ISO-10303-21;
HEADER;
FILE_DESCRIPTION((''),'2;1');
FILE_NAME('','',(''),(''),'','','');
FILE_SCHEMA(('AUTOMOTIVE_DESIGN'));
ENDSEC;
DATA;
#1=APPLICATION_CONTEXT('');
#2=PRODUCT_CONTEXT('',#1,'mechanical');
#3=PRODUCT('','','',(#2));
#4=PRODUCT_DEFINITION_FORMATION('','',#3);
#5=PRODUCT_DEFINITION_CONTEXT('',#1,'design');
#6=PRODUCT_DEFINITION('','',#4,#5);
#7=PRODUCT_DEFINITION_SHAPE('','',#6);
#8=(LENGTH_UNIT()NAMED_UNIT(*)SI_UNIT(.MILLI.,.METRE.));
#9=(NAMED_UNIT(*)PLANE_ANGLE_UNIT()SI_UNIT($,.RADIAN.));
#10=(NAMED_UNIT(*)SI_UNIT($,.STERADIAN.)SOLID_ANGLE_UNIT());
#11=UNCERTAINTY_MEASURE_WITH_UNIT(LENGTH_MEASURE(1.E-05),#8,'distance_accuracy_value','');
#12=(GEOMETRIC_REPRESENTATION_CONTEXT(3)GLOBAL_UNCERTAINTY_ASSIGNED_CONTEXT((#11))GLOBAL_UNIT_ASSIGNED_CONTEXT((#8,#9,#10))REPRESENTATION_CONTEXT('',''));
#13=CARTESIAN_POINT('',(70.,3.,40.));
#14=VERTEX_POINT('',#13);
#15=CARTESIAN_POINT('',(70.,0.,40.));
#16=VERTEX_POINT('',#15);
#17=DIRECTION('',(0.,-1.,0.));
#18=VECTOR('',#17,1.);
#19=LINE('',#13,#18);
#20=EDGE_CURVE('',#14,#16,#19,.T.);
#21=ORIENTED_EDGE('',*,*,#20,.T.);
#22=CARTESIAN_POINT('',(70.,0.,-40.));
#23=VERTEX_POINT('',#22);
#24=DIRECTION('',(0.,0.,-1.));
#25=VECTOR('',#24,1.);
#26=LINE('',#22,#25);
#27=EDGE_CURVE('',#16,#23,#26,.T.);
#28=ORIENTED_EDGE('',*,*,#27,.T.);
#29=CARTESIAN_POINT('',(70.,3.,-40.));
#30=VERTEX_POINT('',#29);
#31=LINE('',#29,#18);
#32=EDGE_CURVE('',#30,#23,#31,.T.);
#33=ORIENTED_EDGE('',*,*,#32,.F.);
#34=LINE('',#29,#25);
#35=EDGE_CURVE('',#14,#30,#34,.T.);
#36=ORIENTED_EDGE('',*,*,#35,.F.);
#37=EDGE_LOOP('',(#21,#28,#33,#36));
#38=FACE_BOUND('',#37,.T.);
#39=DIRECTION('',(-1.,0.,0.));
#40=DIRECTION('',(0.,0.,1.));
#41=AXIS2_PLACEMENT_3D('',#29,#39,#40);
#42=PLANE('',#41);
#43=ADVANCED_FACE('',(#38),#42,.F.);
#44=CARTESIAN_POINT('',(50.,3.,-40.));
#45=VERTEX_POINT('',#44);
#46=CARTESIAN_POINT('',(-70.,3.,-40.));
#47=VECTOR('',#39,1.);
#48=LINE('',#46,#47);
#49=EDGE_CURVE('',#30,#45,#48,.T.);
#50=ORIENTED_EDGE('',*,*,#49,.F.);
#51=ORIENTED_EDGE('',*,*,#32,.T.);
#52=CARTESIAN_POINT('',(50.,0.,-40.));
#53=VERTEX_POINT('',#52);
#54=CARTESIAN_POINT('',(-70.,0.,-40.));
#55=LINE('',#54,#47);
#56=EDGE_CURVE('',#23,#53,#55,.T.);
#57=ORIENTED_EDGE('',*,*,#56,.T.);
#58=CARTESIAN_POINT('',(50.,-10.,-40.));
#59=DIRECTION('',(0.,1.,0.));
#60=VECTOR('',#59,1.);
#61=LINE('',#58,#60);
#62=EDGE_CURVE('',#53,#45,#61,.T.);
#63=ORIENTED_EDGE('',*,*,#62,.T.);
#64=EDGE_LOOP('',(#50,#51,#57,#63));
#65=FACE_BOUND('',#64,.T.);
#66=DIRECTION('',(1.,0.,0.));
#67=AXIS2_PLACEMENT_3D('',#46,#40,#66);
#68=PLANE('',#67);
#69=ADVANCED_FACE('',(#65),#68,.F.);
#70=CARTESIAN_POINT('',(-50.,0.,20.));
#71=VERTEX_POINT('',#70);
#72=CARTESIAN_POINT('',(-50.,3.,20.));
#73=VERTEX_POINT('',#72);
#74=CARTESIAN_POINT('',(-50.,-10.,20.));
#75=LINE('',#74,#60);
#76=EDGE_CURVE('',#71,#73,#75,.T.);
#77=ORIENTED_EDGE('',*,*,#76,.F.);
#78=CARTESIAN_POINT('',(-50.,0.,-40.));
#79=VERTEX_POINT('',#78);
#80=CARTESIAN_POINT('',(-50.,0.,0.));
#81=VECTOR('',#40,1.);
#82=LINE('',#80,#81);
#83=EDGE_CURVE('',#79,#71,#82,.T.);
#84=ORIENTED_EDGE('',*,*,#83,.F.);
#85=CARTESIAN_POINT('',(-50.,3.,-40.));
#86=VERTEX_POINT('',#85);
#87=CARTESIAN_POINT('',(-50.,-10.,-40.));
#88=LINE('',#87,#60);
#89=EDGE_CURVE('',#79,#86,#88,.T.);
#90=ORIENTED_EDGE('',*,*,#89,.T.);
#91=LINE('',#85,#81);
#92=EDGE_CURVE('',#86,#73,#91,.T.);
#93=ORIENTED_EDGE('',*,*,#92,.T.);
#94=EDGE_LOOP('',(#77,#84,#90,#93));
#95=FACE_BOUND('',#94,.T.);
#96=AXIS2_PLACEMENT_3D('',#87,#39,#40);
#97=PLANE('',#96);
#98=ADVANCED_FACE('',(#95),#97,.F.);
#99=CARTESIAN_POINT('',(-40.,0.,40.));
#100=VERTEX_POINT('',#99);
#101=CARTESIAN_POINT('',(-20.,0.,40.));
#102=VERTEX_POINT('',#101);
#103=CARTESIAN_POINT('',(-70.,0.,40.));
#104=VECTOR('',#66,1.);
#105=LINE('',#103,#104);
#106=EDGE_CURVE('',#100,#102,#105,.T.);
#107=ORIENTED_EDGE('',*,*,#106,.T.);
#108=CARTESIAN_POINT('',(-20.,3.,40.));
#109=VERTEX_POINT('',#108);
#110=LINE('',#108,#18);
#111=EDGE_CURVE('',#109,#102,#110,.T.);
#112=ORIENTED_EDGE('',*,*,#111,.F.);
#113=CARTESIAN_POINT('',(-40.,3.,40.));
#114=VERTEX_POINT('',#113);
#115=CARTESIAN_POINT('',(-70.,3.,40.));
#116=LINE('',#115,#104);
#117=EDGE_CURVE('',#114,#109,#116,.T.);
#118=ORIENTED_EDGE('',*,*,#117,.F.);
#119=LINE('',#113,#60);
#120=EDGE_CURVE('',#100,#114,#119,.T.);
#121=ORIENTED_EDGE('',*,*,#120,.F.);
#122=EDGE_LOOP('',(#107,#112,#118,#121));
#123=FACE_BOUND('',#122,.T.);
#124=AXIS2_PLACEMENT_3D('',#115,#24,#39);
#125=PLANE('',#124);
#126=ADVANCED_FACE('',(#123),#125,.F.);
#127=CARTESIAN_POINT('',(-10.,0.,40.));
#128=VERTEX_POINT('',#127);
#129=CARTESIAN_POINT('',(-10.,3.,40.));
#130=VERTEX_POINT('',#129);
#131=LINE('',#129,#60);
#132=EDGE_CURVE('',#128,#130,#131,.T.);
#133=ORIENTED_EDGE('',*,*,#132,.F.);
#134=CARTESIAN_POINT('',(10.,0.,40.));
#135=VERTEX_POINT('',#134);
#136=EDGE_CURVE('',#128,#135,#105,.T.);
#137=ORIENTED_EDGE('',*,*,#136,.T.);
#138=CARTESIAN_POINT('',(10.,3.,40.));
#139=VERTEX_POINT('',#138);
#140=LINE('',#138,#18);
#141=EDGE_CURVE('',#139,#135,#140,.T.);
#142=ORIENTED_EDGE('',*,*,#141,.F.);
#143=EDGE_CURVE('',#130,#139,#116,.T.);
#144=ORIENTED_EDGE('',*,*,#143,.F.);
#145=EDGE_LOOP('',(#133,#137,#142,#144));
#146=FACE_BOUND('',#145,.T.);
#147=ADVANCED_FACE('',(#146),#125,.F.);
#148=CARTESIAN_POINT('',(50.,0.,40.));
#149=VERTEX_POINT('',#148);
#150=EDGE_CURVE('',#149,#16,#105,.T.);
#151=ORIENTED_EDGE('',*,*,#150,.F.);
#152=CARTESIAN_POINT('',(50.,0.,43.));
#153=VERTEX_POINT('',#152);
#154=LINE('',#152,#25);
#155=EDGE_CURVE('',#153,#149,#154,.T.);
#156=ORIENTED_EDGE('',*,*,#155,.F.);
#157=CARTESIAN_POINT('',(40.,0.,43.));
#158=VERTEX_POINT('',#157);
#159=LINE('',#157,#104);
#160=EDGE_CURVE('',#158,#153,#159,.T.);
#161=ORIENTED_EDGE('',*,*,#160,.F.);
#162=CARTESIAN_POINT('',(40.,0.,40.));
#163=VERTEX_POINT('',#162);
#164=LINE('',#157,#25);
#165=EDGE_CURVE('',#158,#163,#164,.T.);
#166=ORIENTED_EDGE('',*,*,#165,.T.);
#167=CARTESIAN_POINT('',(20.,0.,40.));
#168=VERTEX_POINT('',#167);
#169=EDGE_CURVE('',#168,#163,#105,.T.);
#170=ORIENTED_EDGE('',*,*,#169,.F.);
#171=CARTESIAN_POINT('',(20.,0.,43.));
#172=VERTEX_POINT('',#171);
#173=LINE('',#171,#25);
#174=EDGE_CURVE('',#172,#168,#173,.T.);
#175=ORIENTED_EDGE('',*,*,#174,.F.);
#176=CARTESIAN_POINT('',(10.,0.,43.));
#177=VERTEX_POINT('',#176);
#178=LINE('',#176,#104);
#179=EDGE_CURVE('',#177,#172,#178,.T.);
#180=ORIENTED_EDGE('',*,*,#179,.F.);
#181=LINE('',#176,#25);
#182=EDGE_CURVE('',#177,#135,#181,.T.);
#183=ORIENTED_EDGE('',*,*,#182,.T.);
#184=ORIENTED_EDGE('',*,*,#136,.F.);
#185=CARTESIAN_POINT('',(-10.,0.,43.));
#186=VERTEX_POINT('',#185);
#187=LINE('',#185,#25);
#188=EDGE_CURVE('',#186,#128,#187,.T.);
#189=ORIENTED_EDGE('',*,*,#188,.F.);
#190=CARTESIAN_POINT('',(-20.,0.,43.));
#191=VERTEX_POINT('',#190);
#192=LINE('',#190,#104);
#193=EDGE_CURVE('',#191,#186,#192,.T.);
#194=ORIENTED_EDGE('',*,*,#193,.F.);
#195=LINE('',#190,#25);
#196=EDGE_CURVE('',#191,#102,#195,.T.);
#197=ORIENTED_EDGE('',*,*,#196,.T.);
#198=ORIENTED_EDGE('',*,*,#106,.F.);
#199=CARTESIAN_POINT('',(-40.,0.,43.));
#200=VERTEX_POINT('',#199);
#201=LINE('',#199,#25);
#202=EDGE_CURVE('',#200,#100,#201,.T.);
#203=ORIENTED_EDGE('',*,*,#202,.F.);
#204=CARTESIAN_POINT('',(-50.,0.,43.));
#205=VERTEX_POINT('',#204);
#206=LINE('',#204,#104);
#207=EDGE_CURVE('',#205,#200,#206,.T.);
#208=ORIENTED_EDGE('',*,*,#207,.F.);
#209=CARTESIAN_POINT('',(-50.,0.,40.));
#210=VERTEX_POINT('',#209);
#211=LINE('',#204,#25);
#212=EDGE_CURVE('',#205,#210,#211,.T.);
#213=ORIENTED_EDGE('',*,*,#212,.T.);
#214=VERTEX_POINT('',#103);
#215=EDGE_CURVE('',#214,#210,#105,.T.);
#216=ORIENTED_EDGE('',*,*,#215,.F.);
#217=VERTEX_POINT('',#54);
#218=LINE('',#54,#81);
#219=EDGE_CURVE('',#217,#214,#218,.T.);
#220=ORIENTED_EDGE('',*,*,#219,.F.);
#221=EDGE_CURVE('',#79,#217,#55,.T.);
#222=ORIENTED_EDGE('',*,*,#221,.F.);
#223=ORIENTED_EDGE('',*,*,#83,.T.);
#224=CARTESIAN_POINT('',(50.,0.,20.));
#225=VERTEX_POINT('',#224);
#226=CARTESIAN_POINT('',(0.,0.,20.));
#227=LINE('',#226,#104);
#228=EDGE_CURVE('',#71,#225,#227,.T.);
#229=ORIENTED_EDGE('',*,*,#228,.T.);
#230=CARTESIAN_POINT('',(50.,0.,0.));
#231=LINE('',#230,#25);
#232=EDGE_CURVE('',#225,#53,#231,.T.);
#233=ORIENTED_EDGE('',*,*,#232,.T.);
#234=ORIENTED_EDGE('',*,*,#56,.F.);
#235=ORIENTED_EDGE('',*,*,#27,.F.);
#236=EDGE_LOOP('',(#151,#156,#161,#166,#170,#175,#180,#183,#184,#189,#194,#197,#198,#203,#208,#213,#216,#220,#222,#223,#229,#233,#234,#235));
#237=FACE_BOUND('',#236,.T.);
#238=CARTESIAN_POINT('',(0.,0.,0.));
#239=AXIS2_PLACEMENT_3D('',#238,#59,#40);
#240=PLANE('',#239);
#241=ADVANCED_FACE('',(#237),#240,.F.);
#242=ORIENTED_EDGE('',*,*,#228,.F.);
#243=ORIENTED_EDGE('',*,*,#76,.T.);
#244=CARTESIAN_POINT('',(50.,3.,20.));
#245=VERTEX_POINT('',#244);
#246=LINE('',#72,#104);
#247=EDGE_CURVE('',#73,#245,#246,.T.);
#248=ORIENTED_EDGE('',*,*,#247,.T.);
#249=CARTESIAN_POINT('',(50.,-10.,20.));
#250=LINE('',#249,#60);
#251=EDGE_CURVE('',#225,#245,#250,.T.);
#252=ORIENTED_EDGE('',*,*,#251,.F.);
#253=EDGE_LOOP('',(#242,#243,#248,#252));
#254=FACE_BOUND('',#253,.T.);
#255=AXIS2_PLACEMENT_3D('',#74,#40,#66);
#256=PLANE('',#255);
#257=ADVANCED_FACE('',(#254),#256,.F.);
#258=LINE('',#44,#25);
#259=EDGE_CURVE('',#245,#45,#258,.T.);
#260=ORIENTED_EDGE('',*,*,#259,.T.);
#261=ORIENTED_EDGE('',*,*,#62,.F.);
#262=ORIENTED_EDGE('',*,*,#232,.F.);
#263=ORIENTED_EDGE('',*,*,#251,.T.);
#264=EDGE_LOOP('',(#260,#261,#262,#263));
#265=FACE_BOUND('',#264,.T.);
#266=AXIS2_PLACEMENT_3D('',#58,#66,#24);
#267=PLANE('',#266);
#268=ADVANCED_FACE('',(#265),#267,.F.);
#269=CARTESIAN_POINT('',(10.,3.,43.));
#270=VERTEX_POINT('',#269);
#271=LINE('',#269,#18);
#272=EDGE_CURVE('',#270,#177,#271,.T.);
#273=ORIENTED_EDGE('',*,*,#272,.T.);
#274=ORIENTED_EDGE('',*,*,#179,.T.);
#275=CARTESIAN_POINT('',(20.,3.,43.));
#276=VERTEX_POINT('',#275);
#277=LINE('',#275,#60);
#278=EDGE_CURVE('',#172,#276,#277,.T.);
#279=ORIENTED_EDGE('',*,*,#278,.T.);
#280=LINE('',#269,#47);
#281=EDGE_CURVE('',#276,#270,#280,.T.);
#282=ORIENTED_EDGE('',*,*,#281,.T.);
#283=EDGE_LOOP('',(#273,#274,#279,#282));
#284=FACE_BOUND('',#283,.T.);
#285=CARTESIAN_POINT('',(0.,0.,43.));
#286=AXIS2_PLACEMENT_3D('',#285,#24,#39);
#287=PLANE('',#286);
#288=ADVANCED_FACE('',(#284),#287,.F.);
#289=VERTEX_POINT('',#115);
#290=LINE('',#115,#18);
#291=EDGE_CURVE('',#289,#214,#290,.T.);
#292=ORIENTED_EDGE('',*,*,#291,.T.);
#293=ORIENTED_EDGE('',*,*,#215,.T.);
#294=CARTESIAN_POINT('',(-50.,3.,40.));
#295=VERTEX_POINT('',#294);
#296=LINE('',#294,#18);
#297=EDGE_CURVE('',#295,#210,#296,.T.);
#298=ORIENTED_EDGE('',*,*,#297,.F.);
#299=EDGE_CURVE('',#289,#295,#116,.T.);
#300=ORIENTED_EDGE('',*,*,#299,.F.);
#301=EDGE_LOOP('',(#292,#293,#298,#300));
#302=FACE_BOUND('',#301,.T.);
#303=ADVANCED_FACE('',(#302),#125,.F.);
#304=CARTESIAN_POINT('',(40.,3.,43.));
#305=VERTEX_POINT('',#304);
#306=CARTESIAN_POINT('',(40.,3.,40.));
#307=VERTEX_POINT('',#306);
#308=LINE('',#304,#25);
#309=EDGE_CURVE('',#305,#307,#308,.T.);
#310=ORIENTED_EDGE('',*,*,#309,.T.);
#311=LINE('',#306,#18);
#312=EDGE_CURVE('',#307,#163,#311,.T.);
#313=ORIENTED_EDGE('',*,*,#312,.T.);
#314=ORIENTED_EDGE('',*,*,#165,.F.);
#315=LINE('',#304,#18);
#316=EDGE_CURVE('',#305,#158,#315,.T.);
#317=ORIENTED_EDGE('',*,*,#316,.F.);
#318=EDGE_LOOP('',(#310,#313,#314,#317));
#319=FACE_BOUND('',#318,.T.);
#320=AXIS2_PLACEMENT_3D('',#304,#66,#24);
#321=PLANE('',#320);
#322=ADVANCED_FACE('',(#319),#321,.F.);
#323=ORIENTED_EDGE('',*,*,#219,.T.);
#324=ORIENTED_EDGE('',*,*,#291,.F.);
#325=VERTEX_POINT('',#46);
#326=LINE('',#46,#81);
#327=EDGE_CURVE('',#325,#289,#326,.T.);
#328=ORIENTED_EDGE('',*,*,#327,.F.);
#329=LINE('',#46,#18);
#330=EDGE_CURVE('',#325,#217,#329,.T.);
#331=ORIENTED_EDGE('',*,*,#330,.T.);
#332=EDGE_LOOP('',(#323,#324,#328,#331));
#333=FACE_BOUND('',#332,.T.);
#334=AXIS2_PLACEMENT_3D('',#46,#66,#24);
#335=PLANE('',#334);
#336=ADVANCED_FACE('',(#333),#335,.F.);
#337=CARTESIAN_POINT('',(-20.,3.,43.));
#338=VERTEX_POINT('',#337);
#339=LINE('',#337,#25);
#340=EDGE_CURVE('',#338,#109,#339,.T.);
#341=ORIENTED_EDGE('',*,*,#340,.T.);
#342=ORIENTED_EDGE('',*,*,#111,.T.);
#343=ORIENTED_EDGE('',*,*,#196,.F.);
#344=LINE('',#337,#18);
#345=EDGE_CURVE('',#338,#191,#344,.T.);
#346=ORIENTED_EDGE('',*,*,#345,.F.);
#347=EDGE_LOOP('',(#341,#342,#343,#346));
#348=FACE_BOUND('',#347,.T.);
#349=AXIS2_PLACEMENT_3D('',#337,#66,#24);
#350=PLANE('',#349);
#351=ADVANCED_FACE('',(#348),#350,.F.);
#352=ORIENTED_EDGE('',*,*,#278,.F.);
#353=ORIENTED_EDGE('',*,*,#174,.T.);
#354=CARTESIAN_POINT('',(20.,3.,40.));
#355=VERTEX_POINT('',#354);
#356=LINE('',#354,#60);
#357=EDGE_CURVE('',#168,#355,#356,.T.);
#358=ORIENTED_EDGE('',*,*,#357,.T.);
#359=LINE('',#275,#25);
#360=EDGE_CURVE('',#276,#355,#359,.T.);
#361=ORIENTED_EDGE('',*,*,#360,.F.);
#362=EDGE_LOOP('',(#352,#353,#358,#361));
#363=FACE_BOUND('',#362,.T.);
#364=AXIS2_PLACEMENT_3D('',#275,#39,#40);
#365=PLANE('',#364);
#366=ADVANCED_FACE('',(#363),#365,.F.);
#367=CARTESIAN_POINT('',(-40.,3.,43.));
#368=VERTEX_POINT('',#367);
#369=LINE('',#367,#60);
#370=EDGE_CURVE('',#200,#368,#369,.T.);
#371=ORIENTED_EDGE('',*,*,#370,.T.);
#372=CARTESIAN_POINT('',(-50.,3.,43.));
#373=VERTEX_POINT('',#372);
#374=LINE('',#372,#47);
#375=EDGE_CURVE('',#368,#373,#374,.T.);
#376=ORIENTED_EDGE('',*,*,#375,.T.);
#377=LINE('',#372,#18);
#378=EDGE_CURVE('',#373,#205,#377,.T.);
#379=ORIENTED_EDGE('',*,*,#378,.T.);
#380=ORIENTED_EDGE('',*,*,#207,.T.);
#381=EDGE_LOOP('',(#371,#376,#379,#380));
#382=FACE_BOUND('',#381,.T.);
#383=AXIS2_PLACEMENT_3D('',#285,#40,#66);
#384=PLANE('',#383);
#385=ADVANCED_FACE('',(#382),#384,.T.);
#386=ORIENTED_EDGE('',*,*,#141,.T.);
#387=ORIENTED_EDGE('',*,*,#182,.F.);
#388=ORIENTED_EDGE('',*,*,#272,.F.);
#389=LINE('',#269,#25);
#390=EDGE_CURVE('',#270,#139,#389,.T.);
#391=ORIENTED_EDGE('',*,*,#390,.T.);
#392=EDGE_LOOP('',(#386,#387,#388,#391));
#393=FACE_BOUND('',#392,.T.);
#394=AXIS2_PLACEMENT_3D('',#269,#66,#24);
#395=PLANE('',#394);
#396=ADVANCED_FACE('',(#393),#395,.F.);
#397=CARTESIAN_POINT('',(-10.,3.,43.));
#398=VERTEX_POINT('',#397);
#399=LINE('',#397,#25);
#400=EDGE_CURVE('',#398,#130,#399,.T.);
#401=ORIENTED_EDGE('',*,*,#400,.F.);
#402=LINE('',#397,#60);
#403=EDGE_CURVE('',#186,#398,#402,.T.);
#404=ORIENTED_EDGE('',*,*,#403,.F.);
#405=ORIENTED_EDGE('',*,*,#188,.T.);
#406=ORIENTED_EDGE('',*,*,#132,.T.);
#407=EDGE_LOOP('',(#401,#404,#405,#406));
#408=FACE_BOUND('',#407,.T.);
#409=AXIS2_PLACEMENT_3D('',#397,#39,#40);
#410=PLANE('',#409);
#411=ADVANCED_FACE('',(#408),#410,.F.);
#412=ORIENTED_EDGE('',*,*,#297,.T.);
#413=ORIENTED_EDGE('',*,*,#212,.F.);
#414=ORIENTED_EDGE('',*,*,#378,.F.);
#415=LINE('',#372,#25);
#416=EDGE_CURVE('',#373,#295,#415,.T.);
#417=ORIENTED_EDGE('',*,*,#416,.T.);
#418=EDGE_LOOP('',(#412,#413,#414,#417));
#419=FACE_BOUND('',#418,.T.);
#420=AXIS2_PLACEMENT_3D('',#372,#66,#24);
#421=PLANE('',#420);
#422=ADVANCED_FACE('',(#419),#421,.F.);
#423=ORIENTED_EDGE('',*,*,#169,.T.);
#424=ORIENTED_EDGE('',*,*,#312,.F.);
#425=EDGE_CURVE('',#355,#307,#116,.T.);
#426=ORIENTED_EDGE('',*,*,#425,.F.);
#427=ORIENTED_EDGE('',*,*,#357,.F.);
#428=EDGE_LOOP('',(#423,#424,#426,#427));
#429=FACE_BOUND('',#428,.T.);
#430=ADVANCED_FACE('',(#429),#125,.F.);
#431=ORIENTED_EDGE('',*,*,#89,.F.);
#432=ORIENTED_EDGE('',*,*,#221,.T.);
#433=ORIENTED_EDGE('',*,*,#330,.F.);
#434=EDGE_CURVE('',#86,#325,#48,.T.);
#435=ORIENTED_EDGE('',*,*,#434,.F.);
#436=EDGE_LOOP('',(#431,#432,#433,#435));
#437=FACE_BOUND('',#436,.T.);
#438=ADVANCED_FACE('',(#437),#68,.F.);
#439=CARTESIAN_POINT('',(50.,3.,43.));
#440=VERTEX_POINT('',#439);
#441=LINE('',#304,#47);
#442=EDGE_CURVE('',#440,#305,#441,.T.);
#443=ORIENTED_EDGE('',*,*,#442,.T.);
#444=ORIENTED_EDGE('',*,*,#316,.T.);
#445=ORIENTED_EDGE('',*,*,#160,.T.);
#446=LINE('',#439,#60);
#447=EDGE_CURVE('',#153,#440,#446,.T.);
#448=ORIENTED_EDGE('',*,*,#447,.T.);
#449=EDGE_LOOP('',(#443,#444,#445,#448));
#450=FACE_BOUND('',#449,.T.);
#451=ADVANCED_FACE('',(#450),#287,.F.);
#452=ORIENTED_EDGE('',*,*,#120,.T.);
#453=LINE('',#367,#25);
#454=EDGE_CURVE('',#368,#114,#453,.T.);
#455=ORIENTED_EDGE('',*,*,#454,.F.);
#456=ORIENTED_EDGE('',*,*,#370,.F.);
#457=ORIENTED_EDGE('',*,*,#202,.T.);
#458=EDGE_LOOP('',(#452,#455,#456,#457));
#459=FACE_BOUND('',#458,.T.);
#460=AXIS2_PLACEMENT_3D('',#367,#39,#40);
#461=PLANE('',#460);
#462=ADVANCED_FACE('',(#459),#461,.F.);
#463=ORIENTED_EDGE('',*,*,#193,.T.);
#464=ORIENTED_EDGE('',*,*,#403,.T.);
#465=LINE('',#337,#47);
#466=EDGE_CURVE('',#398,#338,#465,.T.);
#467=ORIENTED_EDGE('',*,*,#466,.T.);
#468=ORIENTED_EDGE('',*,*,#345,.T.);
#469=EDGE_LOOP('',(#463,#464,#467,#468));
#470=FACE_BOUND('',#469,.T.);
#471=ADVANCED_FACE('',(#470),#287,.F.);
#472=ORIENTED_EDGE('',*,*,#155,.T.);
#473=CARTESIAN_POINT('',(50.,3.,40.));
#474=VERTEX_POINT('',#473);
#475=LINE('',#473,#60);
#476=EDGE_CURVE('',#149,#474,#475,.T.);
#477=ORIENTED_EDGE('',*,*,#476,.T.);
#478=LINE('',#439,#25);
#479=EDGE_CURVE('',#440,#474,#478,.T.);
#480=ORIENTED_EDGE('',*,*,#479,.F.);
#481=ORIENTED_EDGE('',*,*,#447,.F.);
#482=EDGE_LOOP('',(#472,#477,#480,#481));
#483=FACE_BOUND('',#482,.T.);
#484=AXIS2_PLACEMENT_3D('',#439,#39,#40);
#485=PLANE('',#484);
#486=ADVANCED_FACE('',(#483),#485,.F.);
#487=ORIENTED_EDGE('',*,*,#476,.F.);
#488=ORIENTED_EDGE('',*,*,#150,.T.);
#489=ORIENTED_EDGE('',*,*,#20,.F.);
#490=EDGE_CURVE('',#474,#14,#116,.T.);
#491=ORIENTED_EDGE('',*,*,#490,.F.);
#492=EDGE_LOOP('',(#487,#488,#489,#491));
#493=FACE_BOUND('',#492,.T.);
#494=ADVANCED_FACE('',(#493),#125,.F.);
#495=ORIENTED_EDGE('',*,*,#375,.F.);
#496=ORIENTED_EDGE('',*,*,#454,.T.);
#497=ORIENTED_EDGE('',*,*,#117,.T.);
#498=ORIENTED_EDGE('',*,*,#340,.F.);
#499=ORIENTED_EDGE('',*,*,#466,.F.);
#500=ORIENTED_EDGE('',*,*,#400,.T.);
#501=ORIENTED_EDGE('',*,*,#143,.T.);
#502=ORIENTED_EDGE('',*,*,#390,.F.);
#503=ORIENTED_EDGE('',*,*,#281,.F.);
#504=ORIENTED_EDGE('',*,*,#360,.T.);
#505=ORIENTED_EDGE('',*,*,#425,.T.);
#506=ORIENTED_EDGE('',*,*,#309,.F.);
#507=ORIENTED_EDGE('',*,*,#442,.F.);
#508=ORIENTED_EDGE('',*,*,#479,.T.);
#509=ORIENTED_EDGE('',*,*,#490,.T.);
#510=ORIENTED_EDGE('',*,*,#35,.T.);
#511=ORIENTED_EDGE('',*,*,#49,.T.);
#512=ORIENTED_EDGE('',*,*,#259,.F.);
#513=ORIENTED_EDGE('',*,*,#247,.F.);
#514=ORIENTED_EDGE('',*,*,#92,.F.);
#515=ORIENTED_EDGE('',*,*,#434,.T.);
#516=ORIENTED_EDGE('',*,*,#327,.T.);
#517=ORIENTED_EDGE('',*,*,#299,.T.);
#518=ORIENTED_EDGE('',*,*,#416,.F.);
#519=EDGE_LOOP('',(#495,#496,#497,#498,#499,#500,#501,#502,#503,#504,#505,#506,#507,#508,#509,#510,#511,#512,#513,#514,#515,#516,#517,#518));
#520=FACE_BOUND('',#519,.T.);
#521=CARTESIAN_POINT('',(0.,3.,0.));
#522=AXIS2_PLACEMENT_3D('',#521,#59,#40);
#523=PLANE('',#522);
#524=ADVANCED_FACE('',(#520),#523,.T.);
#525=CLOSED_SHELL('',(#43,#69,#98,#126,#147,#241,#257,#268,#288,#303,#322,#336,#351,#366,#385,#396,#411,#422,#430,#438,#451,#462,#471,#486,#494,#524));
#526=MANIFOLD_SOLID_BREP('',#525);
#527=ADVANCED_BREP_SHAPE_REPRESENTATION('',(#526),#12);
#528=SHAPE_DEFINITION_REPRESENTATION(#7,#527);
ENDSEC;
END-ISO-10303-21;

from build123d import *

# Parameters (mm, degrees)
SKETCH1_W           = 140
SKETCH1_H           = 80
BOSS_EXTRUDE1_DEPTH = 3
SKETCH2_W           = 100
SKETCH2_H           = 60
CUT_EXTRUDE1_DEPTH  = 13
SKETCH4_W           = 10
SKETCH4_H           = 3
BOSS_EXTRUDE2_DEPTH = 3


with BuildPart() as part:
    # Sketch1 → Boss-Extrude1 (new body)
    with BuildSketch(Plane(origin=(0, 0, 0), x_dir=(1, 0, 0), z_dir=(0, 1, 0))):
        Rectangle(SKETCH1_W, SKETCH1_H)
    extrude(amount=BOSS_EXTRUDE1_DEPTH)

    # Sketch2 → Cut-Extrude1 (cut)
    with BuildSketch(Plane(origin=(0, 3, 0), x_dir=(1, 0, 0), z_dir=(0, 1, 0))):
        with Locations((0, 10)):
            Rectangle(SKETCH2_W, SKETCH2_H)
    extrude(amount=-CUT_EXTRUDE1_DEPTH, mode=Mode.SUBTRACT)

    # Sketch4 → Boss-Extrude2 (add)
    with BuildSketch(Plane.XY.offset(40)):
        with Locations((-45, 1.5)):
            Rectangle(SKETCH4_W, SKETCH4_H)
        with Locations((-15, 1.5)):
            Rectangle(SKETCH4_W, SKETCH4_H)
        with Locations((15, 1.5)):
            Rectangle(SKETCH4_W, SKETCH4_H)
        with Locations((45, 1.5)):
            Rectangle(SKETCH4_W, SKETCH4_H)
    extrude(amount=BOSS_EXTRUDE2_DEPTH)


solid = part.part
